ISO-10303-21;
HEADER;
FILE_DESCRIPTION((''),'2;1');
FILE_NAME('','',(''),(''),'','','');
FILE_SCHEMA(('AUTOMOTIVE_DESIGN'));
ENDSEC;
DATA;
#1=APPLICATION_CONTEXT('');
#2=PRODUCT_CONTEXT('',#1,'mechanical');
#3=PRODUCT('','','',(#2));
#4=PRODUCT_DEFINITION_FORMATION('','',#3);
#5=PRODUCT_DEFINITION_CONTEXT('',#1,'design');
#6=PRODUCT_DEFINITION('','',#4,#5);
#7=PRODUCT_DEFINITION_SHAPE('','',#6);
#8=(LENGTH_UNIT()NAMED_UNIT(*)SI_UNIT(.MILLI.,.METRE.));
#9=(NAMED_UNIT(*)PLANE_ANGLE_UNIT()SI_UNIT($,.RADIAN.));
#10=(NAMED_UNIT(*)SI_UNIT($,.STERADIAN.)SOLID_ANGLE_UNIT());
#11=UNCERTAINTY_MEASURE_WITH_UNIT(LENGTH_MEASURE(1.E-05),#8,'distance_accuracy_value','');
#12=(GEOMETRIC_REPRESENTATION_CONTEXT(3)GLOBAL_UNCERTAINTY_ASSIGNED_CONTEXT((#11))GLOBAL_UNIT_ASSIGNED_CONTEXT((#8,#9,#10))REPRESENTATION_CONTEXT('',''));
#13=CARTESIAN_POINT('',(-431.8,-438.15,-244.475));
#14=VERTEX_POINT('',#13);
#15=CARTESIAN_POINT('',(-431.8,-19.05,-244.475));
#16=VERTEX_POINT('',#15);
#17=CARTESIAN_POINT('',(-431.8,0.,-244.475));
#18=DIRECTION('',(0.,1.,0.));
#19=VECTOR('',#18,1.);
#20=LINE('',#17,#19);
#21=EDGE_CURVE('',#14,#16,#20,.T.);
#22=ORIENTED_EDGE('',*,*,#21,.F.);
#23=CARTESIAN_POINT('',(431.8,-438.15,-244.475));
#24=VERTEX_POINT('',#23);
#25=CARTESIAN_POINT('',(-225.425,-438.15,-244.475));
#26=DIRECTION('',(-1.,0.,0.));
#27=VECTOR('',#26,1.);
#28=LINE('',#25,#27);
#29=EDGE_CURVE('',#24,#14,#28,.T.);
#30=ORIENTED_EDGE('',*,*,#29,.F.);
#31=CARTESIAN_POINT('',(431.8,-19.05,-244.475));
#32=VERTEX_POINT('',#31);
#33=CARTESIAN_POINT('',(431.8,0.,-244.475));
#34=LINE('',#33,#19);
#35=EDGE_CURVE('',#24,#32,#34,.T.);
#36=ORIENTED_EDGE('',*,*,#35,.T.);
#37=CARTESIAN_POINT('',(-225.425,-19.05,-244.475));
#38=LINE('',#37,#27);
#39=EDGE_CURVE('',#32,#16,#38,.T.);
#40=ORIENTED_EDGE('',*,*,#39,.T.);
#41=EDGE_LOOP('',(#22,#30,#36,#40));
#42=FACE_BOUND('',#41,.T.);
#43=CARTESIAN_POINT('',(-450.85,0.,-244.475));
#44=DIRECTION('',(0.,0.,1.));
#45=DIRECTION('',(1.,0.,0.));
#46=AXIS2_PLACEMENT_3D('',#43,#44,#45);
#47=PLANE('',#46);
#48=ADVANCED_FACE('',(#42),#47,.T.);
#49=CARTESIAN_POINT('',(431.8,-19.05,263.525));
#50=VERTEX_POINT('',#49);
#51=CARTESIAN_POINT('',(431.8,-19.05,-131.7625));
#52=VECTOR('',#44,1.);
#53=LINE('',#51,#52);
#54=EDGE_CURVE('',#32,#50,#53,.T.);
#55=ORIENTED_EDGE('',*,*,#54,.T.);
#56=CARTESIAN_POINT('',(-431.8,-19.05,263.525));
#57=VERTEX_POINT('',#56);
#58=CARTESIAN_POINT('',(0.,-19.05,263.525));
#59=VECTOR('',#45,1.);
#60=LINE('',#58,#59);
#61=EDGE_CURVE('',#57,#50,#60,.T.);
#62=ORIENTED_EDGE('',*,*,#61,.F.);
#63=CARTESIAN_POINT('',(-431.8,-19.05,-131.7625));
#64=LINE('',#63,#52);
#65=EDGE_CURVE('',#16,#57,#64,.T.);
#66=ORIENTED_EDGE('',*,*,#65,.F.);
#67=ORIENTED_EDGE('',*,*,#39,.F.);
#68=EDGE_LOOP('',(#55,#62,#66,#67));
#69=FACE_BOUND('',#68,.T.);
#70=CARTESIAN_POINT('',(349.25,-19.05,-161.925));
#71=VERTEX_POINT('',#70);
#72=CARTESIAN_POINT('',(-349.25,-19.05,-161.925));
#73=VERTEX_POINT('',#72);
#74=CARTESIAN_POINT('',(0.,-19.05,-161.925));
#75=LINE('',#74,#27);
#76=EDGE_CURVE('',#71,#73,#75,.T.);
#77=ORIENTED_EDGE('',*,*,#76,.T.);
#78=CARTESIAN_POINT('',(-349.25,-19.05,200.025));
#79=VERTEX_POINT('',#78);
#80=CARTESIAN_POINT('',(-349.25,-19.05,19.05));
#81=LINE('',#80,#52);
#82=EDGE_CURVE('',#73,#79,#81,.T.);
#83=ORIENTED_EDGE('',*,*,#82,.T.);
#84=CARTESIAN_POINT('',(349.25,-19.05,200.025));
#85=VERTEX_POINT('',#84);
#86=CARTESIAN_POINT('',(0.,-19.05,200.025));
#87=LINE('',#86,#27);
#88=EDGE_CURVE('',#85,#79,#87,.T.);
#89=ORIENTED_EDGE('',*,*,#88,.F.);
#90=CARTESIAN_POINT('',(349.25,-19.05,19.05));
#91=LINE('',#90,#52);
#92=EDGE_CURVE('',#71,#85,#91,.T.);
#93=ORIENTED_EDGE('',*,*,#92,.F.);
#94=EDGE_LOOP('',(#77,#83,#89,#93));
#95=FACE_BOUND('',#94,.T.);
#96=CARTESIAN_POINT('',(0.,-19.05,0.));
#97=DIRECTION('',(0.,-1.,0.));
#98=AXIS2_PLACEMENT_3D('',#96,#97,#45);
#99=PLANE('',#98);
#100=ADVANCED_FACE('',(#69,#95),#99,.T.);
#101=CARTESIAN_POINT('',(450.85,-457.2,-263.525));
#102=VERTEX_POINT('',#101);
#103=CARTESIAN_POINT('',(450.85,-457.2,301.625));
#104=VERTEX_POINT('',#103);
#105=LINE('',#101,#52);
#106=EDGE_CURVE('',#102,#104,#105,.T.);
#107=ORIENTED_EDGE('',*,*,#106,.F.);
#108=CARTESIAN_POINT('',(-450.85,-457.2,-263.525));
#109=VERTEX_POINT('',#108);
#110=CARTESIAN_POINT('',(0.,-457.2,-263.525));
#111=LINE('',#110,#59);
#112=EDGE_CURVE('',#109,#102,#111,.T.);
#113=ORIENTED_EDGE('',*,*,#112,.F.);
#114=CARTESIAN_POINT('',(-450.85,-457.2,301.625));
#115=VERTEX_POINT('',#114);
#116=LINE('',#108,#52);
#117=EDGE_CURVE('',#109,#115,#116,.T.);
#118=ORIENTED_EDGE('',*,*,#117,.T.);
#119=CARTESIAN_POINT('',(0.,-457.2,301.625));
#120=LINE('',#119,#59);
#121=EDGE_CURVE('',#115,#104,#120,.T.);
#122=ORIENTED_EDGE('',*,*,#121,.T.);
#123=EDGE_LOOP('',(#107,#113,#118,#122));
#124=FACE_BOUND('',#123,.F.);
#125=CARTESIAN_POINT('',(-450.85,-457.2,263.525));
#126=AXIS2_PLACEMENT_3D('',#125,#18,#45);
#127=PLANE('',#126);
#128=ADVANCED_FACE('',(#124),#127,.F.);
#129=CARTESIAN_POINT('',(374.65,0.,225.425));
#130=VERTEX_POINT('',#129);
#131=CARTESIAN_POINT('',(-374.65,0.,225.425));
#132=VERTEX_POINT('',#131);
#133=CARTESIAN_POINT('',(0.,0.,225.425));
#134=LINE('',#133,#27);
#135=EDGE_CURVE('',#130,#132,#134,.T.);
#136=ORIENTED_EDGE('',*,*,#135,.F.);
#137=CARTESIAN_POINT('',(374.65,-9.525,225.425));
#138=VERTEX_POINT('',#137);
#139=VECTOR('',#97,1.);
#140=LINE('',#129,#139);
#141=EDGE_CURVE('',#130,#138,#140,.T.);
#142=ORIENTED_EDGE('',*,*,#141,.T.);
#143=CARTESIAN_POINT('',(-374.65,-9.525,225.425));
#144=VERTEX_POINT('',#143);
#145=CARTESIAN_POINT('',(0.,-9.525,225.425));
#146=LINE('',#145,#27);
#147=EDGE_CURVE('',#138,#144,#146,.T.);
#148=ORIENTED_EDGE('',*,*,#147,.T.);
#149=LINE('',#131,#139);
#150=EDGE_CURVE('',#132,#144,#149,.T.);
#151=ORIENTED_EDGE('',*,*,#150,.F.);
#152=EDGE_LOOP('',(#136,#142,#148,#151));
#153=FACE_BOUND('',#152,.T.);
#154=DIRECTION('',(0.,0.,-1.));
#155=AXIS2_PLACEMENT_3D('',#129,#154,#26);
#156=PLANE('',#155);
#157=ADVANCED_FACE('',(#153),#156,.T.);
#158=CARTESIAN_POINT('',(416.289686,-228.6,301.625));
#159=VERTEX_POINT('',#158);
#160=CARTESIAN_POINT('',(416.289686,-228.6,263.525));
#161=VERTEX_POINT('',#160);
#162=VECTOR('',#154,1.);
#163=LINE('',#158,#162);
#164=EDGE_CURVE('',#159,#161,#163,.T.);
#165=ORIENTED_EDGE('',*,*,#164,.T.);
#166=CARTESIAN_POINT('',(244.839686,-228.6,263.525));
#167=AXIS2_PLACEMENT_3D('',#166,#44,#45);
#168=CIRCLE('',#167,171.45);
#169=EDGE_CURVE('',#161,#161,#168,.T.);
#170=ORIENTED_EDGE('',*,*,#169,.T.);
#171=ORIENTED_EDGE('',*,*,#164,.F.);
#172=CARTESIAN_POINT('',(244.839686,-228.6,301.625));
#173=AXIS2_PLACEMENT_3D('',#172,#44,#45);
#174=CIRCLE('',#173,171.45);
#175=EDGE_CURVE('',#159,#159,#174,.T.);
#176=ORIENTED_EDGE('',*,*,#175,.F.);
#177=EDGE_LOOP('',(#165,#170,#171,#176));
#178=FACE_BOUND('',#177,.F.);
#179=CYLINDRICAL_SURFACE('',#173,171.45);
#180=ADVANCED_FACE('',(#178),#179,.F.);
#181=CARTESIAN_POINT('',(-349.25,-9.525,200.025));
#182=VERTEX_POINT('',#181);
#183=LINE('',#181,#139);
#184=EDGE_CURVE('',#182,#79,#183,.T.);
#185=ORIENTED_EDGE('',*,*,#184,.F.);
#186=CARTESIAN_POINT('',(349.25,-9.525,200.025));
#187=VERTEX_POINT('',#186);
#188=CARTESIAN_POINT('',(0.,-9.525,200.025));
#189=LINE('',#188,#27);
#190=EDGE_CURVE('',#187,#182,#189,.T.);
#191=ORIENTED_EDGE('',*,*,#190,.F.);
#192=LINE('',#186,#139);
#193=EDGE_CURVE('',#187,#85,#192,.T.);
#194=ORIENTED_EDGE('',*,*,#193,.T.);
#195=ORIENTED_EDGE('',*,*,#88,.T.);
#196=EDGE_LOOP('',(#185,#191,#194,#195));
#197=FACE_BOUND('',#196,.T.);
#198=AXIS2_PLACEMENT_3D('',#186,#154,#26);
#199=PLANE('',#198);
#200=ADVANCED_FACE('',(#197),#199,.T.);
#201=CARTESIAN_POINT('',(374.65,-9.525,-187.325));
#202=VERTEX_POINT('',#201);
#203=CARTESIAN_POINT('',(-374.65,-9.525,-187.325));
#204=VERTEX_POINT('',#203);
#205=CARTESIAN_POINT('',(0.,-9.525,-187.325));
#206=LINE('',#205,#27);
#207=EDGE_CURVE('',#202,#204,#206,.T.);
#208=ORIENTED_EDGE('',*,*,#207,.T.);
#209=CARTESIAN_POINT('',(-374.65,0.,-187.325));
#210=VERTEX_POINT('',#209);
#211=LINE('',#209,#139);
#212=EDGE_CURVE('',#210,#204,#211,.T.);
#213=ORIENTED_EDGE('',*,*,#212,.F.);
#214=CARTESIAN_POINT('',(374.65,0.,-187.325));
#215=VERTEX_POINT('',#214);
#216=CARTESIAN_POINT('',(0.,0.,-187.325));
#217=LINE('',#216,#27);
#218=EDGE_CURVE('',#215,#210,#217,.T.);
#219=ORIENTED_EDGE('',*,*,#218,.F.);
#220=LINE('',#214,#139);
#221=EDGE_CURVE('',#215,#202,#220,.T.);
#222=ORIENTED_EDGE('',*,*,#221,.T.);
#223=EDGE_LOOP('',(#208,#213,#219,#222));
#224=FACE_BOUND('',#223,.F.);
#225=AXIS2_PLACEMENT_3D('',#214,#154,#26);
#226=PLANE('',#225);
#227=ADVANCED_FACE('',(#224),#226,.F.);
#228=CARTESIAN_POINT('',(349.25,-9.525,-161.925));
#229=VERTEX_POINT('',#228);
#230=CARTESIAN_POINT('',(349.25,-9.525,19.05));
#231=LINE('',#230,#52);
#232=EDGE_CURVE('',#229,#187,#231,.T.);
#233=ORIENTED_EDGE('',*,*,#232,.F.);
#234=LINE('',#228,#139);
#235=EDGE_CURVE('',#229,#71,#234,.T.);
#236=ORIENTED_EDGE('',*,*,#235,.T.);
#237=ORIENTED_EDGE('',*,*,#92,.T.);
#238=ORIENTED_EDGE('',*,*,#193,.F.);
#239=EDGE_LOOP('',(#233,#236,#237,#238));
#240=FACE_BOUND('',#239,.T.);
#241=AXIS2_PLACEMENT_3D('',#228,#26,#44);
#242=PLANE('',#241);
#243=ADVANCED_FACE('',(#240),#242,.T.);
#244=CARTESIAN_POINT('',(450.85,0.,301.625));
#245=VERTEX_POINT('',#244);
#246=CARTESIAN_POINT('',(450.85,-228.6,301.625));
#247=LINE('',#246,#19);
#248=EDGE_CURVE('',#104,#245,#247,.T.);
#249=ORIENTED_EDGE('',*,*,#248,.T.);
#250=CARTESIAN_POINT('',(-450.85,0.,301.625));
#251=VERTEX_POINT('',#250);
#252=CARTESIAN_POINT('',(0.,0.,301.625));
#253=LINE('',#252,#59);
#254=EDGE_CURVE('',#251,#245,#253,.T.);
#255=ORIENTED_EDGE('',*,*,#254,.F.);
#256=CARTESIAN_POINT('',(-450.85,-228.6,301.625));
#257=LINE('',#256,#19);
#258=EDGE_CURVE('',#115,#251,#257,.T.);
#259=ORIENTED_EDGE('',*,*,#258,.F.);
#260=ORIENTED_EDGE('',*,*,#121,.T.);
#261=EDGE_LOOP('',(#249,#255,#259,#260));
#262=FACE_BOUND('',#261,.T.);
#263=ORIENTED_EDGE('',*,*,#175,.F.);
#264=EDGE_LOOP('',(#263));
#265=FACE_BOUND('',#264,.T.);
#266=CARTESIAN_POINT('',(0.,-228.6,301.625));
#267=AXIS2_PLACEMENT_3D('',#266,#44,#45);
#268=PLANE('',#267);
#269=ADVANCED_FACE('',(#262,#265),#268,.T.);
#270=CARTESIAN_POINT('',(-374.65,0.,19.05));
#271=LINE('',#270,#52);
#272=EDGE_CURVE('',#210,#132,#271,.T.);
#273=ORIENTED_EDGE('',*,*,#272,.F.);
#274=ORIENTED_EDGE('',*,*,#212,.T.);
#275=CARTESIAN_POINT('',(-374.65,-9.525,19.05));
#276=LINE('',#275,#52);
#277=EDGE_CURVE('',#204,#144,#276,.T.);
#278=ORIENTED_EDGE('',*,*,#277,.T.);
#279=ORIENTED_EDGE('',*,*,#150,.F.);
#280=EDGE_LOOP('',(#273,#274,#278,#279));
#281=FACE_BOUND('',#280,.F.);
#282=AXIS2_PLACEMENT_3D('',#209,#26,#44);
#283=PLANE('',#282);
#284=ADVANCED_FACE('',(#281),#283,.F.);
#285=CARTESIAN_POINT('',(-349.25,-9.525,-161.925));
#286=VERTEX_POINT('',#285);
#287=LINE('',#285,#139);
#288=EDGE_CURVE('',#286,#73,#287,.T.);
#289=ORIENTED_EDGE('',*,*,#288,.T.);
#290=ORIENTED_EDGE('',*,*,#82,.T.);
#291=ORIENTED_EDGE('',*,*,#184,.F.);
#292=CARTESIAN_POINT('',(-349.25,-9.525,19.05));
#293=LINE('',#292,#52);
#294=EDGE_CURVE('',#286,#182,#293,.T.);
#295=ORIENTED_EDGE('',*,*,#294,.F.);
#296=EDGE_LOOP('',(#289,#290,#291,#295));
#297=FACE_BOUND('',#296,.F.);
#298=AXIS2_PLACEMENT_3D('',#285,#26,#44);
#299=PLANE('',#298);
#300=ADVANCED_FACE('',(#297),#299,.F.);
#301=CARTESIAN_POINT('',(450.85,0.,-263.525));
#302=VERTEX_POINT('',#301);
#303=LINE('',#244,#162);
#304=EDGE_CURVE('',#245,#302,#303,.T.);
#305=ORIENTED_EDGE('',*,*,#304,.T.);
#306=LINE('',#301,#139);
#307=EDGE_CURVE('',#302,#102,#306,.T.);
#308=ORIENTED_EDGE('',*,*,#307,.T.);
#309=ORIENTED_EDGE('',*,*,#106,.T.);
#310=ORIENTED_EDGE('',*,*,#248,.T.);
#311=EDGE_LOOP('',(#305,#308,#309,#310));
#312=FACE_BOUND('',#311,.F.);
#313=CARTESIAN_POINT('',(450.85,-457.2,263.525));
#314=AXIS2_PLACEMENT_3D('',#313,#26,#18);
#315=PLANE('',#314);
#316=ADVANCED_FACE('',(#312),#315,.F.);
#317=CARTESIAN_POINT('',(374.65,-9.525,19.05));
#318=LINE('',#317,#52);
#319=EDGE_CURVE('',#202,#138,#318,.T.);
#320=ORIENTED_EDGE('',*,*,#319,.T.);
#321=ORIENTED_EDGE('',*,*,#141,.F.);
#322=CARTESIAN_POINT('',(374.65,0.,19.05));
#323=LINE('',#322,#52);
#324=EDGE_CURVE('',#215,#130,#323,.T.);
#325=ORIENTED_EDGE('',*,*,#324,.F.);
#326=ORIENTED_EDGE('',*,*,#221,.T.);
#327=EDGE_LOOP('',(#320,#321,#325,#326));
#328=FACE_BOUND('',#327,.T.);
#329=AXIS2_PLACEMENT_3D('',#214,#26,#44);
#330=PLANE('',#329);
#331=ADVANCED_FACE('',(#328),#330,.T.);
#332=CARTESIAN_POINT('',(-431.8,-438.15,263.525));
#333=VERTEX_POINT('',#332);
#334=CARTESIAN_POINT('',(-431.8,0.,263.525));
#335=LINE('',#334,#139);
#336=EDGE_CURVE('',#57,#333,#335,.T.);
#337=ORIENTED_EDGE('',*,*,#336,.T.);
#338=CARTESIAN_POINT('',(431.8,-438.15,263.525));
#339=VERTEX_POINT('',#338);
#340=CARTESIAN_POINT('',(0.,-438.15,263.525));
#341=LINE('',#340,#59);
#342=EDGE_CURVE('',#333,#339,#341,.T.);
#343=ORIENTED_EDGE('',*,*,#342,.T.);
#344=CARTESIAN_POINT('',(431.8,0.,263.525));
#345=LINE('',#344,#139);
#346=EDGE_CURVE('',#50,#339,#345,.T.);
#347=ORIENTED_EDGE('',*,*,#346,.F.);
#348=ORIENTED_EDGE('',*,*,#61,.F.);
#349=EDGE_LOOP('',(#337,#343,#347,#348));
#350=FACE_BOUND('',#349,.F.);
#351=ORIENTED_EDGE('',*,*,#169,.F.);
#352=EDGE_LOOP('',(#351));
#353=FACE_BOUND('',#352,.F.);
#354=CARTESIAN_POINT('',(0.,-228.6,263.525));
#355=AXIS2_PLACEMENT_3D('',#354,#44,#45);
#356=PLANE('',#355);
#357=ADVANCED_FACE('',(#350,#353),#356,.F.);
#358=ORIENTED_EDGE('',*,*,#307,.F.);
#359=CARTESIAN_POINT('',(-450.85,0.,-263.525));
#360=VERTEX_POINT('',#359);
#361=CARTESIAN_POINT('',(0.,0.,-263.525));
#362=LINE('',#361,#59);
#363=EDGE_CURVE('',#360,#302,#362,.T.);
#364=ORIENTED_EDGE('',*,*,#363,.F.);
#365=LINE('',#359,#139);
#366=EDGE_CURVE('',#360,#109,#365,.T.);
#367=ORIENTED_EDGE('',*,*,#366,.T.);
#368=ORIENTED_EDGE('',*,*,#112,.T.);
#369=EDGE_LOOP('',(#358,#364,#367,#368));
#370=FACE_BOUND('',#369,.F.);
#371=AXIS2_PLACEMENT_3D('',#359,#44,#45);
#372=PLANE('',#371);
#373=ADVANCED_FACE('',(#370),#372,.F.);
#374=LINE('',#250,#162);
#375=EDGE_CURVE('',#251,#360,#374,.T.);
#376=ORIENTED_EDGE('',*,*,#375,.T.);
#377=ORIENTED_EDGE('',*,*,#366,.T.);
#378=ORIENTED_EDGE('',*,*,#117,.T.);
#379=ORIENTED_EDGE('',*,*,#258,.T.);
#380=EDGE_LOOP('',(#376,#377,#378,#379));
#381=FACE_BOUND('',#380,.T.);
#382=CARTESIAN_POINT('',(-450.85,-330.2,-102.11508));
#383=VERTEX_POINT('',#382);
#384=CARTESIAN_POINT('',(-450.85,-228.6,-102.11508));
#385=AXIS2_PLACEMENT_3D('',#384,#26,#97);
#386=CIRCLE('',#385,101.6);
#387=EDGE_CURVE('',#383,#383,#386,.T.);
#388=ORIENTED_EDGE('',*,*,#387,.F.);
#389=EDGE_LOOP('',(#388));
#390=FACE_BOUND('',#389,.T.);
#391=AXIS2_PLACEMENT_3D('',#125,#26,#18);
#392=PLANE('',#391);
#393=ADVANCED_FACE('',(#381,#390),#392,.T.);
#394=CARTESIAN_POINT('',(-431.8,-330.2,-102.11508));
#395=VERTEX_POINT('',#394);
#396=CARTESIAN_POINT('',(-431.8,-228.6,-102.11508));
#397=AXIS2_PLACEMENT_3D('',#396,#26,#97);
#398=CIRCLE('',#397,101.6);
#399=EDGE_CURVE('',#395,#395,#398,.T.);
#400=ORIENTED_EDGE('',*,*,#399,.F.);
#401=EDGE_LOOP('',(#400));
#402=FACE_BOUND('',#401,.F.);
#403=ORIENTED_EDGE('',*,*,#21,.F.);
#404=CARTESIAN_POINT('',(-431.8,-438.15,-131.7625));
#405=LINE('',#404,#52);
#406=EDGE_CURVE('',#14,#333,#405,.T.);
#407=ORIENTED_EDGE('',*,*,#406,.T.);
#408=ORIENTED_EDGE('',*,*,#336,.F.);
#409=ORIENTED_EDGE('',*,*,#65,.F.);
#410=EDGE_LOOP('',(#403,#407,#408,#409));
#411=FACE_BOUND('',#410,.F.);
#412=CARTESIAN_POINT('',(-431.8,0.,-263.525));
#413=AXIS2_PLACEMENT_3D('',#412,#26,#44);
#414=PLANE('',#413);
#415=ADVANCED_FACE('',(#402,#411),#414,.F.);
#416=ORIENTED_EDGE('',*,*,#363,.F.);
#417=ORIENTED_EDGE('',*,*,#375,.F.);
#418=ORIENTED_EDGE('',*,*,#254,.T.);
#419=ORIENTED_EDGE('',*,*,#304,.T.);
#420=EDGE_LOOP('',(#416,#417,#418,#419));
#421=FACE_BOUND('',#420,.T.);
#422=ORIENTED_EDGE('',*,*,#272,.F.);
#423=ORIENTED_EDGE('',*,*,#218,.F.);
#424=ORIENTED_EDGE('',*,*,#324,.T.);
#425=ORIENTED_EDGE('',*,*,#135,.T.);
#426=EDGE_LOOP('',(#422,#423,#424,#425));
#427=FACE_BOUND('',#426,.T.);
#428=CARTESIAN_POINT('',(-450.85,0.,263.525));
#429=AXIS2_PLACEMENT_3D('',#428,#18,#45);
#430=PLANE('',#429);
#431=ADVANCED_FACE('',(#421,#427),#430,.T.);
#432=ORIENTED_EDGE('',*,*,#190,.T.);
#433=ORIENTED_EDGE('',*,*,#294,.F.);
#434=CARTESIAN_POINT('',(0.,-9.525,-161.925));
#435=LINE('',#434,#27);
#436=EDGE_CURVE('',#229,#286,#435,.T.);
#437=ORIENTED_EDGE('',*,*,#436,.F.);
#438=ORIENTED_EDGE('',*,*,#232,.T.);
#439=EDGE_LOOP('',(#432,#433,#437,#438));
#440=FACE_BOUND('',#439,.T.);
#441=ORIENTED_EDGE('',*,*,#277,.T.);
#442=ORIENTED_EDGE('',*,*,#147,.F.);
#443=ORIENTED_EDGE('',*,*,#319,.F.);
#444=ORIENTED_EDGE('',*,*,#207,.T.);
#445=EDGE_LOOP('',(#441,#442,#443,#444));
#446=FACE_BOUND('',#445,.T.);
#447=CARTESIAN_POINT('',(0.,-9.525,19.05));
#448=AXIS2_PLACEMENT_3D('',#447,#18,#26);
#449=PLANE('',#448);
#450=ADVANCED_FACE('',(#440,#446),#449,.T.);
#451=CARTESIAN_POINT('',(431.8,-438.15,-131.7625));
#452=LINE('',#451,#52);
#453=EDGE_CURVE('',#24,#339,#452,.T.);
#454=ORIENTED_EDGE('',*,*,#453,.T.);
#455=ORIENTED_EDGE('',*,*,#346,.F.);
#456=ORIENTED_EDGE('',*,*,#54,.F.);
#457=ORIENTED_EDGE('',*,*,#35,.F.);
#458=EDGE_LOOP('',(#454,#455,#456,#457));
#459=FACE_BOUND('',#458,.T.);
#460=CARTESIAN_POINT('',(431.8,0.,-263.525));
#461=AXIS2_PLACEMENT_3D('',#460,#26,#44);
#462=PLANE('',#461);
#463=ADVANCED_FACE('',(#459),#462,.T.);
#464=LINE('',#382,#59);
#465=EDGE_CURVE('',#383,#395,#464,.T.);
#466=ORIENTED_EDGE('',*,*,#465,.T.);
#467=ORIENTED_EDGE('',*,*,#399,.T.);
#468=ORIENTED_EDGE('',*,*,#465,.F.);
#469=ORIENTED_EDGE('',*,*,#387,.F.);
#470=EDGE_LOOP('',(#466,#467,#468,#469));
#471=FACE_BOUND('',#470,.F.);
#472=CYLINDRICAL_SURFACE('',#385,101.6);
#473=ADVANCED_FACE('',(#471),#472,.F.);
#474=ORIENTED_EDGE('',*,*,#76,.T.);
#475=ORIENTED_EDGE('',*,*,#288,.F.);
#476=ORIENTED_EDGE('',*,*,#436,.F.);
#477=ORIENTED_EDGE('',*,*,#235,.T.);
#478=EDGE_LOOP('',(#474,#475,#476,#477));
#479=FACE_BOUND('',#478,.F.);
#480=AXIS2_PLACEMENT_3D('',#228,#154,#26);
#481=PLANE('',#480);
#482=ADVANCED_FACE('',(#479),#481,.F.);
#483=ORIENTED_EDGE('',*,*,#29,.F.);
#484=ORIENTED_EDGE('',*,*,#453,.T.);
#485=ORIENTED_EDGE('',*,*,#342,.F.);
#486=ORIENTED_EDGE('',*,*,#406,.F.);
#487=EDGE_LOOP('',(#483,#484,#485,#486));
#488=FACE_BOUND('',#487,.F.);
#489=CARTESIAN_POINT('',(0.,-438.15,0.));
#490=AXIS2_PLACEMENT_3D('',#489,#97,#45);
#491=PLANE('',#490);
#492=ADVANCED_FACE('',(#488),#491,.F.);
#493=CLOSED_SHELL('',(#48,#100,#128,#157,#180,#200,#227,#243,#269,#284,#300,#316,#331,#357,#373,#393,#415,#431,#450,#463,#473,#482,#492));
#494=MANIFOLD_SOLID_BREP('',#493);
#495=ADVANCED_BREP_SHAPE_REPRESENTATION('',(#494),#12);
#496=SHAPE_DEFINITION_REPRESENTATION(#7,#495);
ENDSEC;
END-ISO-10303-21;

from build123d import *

# Parameters (mm, degrees)
F0_W      = 901.7
F0_H      = 527.05
F1_DEPTH  = 457.2
F2_T      = -19.05
F3_W      = 901.7
F3_H      = 457.2
F4_DEPTH  = 38.1
F5_R      = 101.6
F6_DEPTH  = 19.05
F7_R      = 171.45
F8_DEPTH  = 38.1
F9_W      = 749.3
F9_H      = 412.75
F10_DEPTH = 9.525
F11_W     = 698.5
F11_H     = 361.95
F12_DEPTH = 9.525


with BuildPart() as f1:
    # F0 (on Front) → F1 (new body)
    with BuildSketch(Plane.XZ):
        Rectangle(F0_W, F0_H)
    extrude(amount=F1_DEPTH)

    # F2
    f2_openings = [f1.faces().sort_by_distance(p)[0] for p in [
        (0, -228.6, 263.525),
    ]]
    offset(amount=F2_T, openings=f2_openings)

    # F3 (on face) → F4 (join)
    with BuildSketch(Plane.XY.offset(263.525)):
        with Locations((0, -228.6)):
            Rectangle(F3_W, F3_H)
    extrude(amount=F4_DEPTH)

    # F5 (on face) → F6 (cut, through all)
    with BuildSketch(Plane(origin=(-450.85, 0, 0), x_dir=(0, -1, 0), z_dir=(-1, 0, 0))):
        with Locations((228.6, -102.11508)):
            Circle(F5_R)
    extrude(amount=-F6_DEPTH, mode=Mode.SUBTRACT)

    # F7 (on face) → F8 (cut, through all)
    with BuildSketch(Plane.XY.offset(301.625)):
        with Locations((244.839686, -228.6)):
            Circle(F7_R)
    extrude(amount=-F8_DEPTH, mode=Mode.SUBTRACT)

    # F9 (on face) → F10 (cut)
    with BuildSketch(Plane(origin=(0, 0, 0), x_dir=(-1, 0, 0), z_dir=(0, 1, 0))):
        with Locations((0, 19.05)):
            Rectangle(F9_W, F9_H)
    extrude(amount=-F10_DEPTH, mode=Mode.SUBTRACT)

    # F11 (on face) → F12 (cut, through all)
    with BuildSketch(Plane(origin=(0, -9.525, 0), x_dir=(-1, 0, 0), z_dir=(0, 1, 0))):
        with Locations((0, 19.05)):
            Rectangle(F11_W, F11_H)
    extrude(amount=-F12_DEPTH, mode=Mode.SUBTRACT)


solid = f1.part
